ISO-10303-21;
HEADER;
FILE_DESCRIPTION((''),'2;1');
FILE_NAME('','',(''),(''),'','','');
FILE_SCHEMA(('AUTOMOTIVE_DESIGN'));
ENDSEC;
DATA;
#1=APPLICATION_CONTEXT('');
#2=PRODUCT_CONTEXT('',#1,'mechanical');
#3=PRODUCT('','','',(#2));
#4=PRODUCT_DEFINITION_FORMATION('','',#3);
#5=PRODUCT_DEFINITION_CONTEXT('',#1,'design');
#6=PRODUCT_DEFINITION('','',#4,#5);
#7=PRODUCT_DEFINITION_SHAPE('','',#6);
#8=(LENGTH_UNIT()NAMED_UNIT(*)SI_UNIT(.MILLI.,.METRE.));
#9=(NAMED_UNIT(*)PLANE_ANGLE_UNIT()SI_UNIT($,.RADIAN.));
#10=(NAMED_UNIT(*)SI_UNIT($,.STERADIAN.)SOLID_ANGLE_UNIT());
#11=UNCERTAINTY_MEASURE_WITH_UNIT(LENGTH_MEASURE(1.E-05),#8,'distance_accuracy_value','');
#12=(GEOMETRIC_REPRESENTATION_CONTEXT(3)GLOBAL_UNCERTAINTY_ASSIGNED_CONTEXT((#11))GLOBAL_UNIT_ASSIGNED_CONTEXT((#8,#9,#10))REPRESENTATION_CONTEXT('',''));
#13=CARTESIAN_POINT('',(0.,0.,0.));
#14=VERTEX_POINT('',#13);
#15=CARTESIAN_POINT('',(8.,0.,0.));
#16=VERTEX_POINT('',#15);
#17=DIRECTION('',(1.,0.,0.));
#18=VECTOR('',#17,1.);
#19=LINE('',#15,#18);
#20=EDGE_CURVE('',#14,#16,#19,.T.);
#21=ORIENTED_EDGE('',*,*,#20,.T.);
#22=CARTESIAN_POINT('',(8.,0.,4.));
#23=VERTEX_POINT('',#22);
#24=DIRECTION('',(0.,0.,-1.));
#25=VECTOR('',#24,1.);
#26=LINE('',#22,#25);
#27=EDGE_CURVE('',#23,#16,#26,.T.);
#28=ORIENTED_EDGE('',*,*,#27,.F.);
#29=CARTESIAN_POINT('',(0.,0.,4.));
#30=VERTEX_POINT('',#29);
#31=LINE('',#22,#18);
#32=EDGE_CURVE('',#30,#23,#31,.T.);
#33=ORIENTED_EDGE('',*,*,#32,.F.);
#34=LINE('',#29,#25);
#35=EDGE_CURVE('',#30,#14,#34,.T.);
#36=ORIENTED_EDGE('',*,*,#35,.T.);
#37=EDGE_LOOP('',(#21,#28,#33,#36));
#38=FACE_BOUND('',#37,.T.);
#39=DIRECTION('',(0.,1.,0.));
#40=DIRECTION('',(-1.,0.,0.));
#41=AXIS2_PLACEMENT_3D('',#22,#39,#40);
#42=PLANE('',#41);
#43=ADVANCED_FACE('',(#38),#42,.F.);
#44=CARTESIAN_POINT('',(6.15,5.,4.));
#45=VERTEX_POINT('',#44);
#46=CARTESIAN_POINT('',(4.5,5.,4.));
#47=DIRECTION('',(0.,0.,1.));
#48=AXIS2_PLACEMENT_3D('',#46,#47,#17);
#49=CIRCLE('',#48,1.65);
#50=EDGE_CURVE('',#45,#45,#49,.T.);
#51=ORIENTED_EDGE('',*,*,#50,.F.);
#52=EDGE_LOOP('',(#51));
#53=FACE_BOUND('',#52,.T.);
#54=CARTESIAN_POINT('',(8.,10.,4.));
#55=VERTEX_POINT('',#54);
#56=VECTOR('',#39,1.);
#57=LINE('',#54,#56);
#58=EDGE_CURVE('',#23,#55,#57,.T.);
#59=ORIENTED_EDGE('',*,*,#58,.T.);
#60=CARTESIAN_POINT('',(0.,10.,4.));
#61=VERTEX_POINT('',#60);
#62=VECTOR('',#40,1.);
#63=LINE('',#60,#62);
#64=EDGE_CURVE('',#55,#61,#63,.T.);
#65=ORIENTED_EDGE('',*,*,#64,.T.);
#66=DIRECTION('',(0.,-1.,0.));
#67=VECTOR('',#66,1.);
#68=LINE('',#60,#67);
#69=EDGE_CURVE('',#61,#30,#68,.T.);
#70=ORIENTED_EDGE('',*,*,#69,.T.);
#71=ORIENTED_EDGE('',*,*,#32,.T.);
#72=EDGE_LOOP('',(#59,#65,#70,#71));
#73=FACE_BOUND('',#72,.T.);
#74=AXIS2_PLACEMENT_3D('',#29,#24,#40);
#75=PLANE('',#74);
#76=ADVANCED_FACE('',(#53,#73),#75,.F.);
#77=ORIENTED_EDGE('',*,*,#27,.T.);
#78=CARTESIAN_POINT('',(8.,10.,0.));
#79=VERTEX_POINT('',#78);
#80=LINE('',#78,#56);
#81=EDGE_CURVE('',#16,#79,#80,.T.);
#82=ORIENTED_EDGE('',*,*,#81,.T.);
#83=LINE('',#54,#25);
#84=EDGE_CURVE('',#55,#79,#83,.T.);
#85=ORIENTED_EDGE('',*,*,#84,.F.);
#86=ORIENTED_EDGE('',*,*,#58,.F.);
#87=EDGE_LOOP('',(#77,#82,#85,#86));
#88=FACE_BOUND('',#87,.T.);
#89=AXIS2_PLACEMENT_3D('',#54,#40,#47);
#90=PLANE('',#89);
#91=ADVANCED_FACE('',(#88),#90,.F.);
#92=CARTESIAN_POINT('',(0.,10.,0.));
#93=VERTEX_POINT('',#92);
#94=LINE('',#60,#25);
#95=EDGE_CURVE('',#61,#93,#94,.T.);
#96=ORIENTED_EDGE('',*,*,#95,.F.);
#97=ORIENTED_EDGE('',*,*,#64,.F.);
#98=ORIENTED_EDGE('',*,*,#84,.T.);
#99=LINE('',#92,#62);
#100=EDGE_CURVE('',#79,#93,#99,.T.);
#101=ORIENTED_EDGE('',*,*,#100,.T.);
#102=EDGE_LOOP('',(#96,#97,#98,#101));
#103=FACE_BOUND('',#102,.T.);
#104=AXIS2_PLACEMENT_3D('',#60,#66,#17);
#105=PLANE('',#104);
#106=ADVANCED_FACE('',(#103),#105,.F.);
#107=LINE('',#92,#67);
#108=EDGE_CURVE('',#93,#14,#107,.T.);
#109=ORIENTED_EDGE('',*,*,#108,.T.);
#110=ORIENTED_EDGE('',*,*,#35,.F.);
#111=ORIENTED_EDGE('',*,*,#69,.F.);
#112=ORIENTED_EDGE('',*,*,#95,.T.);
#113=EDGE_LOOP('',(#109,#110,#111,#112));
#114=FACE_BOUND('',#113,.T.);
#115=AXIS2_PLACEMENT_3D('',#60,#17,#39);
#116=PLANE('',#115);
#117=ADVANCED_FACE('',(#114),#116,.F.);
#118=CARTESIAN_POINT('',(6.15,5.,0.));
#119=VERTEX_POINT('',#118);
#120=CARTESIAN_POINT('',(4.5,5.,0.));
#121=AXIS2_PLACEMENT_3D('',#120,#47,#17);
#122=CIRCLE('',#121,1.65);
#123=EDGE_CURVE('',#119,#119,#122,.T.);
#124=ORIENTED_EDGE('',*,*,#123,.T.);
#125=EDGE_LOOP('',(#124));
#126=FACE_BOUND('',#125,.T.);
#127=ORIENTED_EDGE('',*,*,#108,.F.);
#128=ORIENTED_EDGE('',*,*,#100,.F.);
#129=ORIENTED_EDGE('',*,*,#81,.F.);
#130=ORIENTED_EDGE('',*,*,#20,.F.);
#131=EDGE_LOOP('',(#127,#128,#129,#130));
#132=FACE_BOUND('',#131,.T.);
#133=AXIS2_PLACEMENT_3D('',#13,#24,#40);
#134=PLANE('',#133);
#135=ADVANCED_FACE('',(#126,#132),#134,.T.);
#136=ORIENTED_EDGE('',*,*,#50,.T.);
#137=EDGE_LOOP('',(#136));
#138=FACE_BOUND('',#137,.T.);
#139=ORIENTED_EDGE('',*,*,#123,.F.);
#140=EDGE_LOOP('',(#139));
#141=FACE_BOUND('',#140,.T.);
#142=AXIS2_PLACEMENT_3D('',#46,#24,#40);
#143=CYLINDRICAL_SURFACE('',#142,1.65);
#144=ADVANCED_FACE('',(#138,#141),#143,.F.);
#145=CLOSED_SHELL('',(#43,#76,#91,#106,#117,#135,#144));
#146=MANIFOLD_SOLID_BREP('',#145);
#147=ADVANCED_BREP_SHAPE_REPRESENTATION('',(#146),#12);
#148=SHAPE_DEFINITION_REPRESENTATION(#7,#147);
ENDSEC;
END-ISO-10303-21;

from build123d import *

# Parameters (mm, degrees)
SKETCH1_W           = 8
SKETCH1_H           = 10
SKETCH1_R           = 1.65
BOSS_EXTRUDE1_DEPTH = 4


with BuildPart() as part:
    # Sketch1 → Boss-Extrude1 (new body)
    with BuildSketch(Plane.XY):
        with Locations((4, 5)):
            Rectangle(SKETCH1_W, SKETCH1_H)
        with Locations((4.5, 5)):
            Circle(SKETCH1_R, mode=Mode.SUBTRACT)
    extrude(amount=BOSS_EXTRUDE1_DEPTH)


solid = part.part
